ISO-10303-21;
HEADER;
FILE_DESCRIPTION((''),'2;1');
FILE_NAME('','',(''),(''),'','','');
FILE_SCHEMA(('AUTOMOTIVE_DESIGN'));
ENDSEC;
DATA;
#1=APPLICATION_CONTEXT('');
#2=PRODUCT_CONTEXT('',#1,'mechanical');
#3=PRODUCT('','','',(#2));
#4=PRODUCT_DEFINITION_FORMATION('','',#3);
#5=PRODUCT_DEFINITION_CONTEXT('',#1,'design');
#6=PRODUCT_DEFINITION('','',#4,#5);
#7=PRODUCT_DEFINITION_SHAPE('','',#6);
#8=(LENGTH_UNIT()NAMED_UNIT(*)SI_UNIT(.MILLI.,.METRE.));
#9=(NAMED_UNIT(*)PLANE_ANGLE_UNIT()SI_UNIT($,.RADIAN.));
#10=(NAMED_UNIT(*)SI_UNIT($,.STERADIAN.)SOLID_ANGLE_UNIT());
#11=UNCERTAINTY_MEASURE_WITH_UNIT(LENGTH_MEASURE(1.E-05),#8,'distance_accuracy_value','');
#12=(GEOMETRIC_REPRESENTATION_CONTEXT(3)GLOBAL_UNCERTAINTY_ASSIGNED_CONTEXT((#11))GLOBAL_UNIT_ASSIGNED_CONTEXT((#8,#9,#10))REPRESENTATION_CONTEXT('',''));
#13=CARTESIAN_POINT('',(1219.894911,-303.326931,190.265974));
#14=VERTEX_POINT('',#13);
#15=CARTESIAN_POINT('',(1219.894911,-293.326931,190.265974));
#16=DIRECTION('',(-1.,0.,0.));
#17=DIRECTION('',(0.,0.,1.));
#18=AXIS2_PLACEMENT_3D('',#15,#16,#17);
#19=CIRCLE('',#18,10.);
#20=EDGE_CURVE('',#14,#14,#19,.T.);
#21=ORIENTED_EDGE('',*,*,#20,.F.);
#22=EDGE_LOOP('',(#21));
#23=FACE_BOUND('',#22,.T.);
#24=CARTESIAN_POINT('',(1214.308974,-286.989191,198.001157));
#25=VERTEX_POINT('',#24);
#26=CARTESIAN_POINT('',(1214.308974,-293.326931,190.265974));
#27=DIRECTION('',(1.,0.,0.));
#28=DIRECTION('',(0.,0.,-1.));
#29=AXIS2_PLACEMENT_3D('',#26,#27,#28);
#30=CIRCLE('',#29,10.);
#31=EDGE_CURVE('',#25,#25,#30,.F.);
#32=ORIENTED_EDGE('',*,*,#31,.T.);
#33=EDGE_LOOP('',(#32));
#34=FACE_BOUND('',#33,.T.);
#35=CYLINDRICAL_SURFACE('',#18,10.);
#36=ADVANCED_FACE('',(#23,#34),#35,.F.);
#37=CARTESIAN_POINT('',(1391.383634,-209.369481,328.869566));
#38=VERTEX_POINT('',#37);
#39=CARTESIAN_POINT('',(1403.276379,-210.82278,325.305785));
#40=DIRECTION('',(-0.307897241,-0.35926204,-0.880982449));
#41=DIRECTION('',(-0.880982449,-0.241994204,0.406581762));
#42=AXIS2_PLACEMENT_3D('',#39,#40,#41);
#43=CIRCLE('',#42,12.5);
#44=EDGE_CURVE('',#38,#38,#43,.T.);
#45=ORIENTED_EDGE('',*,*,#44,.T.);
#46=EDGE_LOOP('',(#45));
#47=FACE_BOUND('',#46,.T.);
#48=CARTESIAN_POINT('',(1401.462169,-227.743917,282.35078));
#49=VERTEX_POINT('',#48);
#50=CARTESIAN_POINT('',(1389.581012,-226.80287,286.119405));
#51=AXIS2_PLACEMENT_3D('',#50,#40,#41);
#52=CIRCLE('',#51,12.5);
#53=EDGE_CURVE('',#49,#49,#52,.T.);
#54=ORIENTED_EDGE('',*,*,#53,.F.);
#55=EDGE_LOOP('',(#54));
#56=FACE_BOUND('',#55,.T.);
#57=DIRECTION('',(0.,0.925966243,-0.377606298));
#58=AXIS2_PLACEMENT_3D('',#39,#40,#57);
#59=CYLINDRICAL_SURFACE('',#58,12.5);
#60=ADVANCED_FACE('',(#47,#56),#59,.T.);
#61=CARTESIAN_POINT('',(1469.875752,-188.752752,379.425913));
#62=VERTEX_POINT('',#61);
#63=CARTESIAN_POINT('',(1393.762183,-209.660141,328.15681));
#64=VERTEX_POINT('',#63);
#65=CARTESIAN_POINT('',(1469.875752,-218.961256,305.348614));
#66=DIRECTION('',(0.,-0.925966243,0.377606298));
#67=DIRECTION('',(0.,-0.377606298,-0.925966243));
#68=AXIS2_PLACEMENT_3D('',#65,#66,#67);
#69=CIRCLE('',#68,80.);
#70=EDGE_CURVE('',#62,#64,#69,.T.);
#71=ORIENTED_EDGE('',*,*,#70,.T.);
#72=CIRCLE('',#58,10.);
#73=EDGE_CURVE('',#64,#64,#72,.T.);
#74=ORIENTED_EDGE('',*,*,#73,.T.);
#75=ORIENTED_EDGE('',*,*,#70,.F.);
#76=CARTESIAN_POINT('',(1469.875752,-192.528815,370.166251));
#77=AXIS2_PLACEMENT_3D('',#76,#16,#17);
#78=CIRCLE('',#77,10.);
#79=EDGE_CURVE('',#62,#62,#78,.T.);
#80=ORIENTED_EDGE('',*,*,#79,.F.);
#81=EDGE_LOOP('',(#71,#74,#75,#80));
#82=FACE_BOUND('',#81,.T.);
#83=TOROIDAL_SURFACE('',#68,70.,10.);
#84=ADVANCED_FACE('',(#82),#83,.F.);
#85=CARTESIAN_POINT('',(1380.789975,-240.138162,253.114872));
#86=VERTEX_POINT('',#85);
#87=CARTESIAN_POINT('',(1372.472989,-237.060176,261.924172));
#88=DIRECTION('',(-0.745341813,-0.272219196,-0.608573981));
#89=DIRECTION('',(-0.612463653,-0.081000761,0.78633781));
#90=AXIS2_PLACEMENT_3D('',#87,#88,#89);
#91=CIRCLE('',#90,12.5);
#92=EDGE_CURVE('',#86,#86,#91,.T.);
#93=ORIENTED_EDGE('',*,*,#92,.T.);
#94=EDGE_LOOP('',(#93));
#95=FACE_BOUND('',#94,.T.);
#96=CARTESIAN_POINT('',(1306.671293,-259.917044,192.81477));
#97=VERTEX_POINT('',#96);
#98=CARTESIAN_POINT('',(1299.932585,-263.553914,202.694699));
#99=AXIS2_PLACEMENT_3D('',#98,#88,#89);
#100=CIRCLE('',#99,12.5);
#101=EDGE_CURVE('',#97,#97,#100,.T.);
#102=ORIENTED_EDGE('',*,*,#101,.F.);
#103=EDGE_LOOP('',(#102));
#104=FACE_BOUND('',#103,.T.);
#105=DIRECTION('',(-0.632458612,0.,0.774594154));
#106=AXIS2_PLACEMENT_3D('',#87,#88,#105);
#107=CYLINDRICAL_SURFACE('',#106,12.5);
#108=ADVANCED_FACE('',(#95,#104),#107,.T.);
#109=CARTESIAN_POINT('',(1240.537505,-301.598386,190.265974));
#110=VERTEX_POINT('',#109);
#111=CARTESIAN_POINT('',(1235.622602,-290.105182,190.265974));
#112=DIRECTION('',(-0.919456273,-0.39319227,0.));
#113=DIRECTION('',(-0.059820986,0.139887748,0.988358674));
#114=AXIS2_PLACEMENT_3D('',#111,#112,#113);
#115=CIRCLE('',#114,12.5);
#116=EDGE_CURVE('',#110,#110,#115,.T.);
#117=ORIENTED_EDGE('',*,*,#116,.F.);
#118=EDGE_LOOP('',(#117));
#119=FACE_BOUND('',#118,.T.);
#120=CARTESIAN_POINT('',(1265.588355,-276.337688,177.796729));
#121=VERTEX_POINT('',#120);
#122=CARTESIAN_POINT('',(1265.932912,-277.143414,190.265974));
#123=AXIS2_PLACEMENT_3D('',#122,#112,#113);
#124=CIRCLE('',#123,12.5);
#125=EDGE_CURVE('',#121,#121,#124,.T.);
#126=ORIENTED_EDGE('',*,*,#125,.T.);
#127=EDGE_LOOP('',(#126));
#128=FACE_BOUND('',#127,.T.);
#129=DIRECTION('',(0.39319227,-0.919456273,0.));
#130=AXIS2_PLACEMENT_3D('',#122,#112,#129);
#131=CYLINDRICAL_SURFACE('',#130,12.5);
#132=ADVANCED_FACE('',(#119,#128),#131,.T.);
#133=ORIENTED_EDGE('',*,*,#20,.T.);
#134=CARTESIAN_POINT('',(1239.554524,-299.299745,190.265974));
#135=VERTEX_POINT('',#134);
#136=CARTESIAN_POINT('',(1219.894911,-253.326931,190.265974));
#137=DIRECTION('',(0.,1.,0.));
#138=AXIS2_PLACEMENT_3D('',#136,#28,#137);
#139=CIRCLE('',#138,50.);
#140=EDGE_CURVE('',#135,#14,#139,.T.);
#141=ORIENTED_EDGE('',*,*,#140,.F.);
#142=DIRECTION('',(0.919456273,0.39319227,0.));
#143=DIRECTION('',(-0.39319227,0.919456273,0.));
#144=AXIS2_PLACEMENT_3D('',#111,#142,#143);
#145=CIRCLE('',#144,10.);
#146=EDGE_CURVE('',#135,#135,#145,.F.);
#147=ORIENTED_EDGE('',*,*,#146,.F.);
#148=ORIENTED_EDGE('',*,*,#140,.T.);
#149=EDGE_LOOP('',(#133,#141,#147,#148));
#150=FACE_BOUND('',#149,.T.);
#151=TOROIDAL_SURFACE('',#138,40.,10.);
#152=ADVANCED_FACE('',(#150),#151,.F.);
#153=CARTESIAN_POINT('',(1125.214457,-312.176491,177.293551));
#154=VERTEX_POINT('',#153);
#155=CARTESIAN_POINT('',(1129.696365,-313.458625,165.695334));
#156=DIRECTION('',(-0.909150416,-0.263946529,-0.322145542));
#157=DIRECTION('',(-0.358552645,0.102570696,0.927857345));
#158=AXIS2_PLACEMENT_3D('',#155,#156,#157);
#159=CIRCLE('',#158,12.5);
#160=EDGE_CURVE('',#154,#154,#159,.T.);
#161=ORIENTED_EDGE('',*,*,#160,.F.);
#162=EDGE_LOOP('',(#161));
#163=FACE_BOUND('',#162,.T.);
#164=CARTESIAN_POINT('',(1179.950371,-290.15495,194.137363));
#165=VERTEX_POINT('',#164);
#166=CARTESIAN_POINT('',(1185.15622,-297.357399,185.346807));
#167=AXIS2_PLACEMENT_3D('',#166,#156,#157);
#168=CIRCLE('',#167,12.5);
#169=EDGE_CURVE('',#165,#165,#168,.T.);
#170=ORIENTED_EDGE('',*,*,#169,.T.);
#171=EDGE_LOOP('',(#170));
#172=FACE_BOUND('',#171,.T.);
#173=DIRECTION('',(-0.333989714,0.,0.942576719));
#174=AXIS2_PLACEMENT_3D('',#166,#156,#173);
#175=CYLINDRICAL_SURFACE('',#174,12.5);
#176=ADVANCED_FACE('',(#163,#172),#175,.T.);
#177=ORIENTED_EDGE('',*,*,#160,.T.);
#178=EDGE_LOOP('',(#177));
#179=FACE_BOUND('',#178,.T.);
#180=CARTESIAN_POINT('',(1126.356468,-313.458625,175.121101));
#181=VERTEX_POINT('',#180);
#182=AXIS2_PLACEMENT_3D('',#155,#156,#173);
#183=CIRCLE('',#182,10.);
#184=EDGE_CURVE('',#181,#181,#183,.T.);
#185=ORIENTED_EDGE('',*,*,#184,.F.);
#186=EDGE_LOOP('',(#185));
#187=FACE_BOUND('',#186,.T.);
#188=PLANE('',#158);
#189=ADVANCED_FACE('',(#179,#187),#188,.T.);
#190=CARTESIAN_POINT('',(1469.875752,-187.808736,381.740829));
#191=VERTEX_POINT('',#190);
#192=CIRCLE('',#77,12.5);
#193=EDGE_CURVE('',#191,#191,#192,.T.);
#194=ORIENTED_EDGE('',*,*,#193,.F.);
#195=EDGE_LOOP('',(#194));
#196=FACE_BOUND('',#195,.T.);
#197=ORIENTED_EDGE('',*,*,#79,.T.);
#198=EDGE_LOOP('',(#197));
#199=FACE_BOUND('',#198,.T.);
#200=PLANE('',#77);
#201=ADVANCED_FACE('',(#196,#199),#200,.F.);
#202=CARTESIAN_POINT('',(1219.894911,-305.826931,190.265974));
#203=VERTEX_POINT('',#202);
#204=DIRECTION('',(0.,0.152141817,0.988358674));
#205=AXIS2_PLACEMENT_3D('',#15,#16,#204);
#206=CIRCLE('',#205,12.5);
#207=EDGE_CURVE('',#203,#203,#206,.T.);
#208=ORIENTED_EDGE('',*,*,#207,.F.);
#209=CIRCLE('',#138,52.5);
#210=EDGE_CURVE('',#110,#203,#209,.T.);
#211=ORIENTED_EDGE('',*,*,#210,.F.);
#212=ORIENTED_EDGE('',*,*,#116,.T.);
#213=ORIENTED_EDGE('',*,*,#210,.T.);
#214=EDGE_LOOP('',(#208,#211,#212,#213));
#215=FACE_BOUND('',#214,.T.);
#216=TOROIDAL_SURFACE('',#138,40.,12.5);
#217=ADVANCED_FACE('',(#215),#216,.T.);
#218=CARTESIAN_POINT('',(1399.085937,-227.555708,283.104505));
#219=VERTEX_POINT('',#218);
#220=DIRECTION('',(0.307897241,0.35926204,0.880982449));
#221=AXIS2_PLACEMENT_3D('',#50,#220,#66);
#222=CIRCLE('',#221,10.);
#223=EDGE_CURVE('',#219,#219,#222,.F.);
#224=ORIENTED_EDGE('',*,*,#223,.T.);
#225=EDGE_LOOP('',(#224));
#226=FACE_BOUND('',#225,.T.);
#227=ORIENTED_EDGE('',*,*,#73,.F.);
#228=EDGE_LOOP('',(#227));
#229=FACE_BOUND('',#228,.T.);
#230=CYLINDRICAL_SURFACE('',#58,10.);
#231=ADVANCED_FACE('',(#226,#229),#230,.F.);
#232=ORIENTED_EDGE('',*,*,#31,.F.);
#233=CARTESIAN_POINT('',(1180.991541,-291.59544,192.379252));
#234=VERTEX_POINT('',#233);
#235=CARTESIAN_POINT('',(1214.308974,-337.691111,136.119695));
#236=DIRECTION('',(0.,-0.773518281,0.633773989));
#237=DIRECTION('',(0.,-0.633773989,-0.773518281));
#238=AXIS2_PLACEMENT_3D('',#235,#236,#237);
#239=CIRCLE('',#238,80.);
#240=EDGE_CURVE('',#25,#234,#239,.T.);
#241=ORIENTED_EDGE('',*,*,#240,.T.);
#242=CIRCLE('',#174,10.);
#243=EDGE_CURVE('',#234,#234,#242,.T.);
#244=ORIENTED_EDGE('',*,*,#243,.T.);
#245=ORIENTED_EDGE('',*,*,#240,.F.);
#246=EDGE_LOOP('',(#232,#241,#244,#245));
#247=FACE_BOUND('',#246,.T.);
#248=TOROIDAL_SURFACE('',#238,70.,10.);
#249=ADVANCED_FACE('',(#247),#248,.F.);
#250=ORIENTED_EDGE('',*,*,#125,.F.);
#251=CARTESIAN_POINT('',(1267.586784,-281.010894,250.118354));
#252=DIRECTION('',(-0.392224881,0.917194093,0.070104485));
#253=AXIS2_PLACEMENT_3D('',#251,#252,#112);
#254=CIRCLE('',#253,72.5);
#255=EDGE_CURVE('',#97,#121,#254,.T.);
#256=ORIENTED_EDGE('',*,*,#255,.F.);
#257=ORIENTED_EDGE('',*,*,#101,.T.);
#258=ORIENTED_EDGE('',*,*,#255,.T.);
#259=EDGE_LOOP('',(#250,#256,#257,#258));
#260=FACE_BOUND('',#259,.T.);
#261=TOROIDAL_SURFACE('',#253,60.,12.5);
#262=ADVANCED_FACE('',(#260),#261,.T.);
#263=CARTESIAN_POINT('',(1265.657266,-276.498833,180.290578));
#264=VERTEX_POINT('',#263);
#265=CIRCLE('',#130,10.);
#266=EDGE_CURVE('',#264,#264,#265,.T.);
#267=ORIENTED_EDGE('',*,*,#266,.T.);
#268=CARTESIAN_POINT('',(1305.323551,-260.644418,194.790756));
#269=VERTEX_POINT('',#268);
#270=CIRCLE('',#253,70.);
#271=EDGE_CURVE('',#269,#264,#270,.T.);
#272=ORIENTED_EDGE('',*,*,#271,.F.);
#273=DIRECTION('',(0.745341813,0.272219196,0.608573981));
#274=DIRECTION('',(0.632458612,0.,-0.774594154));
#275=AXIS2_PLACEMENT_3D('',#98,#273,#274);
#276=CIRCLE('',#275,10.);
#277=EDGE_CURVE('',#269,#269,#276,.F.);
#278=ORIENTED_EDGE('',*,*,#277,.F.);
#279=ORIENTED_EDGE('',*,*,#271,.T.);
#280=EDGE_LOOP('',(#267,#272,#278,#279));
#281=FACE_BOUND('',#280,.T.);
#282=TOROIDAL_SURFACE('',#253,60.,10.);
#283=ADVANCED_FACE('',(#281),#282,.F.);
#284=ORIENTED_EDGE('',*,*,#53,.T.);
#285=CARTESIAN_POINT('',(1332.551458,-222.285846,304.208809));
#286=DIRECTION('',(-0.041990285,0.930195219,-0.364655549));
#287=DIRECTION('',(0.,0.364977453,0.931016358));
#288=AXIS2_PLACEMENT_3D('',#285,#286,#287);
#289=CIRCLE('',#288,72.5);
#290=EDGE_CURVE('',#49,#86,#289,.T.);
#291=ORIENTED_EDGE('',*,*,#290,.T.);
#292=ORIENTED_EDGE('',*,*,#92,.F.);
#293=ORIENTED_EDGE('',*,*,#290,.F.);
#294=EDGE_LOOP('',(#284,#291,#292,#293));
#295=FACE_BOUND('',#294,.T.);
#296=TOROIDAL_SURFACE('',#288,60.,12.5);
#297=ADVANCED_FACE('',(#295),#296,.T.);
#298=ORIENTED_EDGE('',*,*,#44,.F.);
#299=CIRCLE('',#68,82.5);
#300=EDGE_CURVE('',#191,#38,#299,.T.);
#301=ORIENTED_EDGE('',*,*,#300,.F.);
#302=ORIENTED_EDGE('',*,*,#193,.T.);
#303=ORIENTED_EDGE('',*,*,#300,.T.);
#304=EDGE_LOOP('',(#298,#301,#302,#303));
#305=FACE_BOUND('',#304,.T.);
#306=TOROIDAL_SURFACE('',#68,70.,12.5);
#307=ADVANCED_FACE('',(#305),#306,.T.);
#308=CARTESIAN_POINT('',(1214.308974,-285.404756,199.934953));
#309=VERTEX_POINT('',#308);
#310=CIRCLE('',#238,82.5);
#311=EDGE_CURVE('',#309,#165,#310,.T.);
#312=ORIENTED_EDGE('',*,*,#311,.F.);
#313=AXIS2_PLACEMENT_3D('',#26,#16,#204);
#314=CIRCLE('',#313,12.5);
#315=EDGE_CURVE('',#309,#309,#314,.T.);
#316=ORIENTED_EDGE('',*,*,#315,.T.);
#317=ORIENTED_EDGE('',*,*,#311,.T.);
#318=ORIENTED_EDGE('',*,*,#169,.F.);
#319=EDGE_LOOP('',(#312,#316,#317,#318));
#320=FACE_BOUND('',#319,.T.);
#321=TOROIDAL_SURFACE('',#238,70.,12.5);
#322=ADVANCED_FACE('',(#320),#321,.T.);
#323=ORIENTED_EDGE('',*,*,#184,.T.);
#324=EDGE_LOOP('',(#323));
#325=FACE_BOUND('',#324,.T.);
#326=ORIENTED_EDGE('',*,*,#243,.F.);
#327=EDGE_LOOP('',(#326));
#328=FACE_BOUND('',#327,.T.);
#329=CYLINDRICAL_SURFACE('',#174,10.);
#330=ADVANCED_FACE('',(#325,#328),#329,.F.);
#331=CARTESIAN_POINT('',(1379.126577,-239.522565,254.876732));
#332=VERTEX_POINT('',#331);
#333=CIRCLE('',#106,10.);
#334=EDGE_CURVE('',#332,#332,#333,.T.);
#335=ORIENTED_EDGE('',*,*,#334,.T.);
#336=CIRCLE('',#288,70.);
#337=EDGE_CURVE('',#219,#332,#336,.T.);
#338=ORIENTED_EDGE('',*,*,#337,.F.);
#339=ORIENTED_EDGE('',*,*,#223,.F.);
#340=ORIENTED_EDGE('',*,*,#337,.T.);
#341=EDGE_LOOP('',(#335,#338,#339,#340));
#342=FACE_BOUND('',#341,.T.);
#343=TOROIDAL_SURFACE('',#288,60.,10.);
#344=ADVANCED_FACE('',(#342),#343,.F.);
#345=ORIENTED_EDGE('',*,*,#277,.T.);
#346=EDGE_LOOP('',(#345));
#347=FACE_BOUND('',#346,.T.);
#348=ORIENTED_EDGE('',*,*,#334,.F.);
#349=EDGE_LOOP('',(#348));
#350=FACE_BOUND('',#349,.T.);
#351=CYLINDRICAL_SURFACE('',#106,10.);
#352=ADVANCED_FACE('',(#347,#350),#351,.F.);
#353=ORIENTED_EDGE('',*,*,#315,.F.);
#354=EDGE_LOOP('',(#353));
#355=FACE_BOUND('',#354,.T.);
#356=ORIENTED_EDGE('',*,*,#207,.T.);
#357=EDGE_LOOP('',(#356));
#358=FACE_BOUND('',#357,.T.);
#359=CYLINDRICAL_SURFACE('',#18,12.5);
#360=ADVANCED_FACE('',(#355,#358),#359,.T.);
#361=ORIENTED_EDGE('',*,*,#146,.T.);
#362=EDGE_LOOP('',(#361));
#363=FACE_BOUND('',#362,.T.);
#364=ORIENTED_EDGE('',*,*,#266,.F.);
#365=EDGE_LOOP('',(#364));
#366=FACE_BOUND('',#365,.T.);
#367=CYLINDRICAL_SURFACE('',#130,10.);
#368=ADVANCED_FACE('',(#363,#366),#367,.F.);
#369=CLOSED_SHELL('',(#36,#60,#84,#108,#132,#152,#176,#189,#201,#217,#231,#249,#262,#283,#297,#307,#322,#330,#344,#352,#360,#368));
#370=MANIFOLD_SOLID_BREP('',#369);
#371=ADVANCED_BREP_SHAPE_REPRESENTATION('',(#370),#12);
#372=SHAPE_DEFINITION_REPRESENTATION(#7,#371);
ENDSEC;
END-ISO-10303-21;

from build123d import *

# Parameters (mm, degrees)
WYCI_GNI_CIE_PO_CIE_CE_CIENKA_CIAN_2_R   = 12.5
WYCI_GNI_CIE_PO_CIE_CE_CIENKA_CIAN_2_R_2 = 10


with BuildPart() as part:
    # Wyciągnięcie po ścieżce-Cienka ścianka1: sweep along a curve in space
    with BuildLine() as wyci_gni_cie_po_cie_ce_cienka_cianka1_path:
        Line((1151.551935215, -307.113467722, 173.439569165), (1129.696364798, -313.458624528, 165.695334052))
        Line((1151.551935215, -307.113467722, 173.439569165), (1185.156220245, -297.357398501, 185.346807417))
        ThreePointArc((1185.156220245, -297.357398501, 185.346807417), (1199.389809123, -294.346258299, 189.021890381), (1214.308973975, -293.326931287, 190.265974378))
        Line((1214.308973975, -293.326931287, 190.265974378), (1219.894910902, -293.326931287, 190.265974378))
        ThreePointArc((1235.622601719, -290.105182218, 190.265974378), (1227.922051201, -292.513217391, 190.265974378), (1219.894910902, -293.326931287, 190.265974378))
        Line((1235.622601719, -290.105182218, 190.265974378), (1265.932911584, -277.143413509, 190.265974378))
        ThreePointArc((1265.932911584, -277.143413509, 190.265974378), (1283.797363065, -269.747937613, 193.458288824), (1299.932584526, -263.553914321, 202.694698616))
        Line((1299.932584526, -263.553914321, 202.694698616), (1372.472988989, -237.060176471, 261.924171563))
        ThreePointArc((1372.472988989, -237.060176471, 261.924171563), (1382.771973534, -232.278738725, 272.935146818), (1389.58101162, -226.802870455, 286.119405336))
        Line((1389.58101162, -226.802870455, 286.119405336), (1403.276379011, -210.822780416, 325.305785456))
        ThreePointArc((1469.875752261, -192.528815146, 370.166250897), (1428.697459915, -197.586110339, 357.764750572), (1403.276379011, -210.822780416, 325.305785456))
    # Wyci_gni_cie po _cie_ce-Cienka _cian 2 (on start of the path) → Wyciągnięcie po ścieżce-Cienka ścianka1 (sweep)
    with BuildSketch(Plane(origin=(1469.875752261, -192.528815146, 370.166250897), x_dir=(0, 0, -1), z_dir=(-1, 0, 0))):
        Circle(WYCI_GNI_CIE_PO_CIE_CE_CIENKA_CIAN_2_R)
        Circle(WYCI_GNI_CIE_PO_CIE_CE_CIENKA_CIAN_2_R_2, mode=Mode.SUBTRACT)
    sweep(path=wyci_gni_cie_po_cie_ce_cienka_cianka1_path.line)


solid = part.part
